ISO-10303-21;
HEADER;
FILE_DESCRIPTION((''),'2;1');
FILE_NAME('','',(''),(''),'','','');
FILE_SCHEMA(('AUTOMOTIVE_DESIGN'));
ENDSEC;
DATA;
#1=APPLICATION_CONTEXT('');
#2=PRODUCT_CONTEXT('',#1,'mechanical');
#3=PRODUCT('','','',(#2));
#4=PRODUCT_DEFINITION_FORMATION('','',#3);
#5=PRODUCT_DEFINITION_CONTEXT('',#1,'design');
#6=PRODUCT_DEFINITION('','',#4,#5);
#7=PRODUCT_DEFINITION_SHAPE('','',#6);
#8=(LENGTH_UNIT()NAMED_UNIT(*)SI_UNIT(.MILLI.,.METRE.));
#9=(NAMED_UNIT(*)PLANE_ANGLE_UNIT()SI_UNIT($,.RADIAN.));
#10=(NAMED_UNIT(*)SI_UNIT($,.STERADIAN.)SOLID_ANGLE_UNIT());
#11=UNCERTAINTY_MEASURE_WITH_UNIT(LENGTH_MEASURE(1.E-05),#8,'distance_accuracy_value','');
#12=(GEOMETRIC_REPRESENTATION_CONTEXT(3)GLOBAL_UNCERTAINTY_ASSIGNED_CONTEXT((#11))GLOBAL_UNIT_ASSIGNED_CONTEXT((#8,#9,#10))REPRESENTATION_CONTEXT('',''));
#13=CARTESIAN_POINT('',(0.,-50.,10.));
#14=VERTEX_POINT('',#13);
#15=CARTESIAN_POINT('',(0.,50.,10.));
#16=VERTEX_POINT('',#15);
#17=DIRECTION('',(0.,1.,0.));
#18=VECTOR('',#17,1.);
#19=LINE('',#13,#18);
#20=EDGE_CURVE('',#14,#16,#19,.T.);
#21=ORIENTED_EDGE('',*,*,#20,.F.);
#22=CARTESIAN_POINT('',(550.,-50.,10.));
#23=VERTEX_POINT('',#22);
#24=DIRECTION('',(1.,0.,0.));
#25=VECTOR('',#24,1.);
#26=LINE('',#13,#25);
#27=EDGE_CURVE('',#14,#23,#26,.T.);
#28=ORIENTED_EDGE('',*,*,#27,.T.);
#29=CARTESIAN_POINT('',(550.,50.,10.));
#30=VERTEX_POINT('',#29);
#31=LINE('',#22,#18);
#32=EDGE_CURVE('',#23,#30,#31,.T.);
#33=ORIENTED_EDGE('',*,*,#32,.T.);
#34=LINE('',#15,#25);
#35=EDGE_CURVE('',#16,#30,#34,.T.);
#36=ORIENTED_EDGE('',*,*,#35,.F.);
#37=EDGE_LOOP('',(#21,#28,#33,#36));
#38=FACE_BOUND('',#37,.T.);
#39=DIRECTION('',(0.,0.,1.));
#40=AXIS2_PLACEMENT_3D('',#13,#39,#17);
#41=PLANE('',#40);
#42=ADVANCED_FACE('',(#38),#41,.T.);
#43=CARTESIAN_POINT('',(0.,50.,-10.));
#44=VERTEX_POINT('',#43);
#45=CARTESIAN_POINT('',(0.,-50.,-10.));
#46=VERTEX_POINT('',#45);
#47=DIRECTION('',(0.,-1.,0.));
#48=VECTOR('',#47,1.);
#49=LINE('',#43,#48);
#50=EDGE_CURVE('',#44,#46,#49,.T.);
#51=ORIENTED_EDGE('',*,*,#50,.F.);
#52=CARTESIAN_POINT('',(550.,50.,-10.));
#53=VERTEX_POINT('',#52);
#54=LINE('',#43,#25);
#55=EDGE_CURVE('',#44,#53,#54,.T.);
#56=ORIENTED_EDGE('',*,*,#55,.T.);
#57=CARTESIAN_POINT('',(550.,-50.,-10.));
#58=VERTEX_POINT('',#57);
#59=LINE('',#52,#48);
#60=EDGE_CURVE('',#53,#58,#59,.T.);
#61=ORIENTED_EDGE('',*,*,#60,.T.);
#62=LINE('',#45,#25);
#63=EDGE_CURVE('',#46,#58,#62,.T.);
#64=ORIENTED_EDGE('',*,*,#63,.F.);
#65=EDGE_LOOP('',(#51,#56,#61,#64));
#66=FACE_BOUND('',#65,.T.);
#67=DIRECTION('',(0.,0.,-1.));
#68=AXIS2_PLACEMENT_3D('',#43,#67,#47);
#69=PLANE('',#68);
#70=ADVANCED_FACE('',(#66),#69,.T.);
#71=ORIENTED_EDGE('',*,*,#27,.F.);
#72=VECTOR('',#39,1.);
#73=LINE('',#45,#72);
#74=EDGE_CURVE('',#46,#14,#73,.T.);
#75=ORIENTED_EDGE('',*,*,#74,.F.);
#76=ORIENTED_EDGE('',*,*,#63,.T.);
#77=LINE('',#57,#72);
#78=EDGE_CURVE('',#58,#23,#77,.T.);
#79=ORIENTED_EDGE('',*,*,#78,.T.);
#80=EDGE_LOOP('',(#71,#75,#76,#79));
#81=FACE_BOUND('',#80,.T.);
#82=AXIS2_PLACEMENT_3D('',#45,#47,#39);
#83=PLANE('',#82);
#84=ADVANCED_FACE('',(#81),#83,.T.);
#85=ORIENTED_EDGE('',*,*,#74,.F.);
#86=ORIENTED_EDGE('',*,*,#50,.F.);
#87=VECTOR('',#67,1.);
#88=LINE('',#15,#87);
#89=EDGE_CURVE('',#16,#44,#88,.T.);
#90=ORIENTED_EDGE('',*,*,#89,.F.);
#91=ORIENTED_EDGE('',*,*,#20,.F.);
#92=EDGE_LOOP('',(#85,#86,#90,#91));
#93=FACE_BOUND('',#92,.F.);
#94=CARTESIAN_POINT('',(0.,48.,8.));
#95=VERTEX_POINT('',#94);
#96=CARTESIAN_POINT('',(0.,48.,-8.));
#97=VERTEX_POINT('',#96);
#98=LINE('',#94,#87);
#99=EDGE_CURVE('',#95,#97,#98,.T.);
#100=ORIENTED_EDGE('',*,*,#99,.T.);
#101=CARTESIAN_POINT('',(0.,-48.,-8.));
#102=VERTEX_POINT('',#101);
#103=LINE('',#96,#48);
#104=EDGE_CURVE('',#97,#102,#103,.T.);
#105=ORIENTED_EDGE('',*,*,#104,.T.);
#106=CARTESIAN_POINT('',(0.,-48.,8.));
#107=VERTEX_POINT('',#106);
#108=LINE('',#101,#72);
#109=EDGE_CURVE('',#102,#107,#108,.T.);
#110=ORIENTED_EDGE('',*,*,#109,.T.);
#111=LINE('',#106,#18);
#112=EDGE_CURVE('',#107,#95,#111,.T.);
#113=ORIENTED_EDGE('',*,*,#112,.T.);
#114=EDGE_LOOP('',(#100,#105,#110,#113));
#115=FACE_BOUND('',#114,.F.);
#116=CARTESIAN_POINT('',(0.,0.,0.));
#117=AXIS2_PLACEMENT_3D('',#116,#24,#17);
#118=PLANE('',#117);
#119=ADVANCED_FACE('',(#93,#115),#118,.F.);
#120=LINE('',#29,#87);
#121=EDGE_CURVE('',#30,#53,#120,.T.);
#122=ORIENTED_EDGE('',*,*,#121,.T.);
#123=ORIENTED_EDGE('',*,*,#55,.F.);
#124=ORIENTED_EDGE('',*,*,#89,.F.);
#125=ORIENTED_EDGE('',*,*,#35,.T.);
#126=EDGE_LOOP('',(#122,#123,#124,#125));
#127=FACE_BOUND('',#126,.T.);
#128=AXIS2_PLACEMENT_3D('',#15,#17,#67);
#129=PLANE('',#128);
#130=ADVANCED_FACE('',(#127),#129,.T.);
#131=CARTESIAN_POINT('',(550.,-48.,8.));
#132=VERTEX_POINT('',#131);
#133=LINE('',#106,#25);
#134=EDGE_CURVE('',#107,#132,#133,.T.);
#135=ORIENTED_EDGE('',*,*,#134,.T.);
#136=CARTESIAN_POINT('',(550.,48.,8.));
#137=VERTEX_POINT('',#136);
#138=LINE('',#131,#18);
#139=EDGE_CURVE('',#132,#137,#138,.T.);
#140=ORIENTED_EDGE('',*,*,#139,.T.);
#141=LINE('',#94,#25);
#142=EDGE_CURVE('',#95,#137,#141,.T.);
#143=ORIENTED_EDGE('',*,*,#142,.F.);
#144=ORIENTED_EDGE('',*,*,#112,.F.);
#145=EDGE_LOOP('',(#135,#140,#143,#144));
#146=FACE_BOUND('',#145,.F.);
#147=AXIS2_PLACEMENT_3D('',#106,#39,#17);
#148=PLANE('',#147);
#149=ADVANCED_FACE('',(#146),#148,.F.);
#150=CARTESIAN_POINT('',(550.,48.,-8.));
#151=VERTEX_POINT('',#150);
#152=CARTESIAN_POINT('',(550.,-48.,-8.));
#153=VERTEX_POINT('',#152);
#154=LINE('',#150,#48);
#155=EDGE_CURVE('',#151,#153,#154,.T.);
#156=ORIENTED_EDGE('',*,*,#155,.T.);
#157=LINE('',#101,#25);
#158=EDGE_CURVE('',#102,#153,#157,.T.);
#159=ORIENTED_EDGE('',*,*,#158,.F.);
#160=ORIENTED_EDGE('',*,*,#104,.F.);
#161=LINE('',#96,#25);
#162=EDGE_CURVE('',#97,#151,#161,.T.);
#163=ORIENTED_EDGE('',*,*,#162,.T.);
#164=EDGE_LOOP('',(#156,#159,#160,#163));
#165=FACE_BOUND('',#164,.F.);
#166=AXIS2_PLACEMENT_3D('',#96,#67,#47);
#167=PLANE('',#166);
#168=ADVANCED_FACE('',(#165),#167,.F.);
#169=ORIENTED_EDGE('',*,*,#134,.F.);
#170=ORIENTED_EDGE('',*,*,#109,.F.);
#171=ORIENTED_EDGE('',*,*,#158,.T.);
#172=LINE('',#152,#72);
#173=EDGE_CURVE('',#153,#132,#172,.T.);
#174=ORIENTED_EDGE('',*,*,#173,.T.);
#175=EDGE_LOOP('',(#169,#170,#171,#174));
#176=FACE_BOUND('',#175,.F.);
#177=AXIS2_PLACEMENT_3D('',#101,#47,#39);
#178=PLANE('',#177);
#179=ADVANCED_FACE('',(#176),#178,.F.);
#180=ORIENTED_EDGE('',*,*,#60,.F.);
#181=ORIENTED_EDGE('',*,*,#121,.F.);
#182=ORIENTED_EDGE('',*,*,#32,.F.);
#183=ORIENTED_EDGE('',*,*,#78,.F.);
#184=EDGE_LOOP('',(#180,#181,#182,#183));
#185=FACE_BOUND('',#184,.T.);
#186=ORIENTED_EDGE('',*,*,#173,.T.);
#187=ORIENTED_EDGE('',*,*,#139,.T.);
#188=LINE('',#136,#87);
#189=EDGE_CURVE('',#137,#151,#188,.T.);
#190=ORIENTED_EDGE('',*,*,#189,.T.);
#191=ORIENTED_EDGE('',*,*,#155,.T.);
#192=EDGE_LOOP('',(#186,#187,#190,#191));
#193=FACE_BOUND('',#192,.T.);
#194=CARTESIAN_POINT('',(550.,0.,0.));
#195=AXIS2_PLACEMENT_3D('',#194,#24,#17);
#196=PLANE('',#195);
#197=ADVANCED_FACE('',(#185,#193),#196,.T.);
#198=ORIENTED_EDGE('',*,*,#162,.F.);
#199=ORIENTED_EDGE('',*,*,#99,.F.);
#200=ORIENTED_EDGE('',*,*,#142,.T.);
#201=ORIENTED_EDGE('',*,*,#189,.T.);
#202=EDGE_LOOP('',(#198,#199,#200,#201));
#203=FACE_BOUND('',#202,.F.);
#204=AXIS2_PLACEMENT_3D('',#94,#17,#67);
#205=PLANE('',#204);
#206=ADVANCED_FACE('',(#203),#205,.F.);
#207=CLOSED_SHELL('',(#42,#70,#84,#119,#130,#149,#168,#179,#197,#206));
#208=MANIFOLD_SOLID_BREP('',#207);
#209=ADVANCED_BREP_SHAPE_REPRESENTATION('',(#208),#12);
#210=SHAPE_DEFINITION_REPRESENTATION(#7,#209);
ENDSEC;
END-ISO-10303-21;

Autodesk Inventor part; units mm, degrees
ref_plane "YZ Plane" through (0, 0, 0) normal (1, 0, 0) x (0, 1, 0)
ref_plane "XZ Plane" through (0, 0, 0) normal (0, 1, 0) x (-1, 0, 0)
ref_plane "XY Plane" through (0, 0, 0) normal (0, 0, 1) x (1, 0, 0)
sketch "Sketch1" plane through (0, 0, 0) normal (1, 0, 0) x (0, 1, 0)
  line L0 (-50, 10) -> (50, 10)
  line L1 (50, 10) -> (50, -10)
  line L2 (50, -10) -> (-50, -10)
  line L3 (-50, -10) -> (-50, 10)
  line L4 (-50, 10) -> (50, -10) construction
  line L5 (50, 10) -> (-50, -10) construction
  line L6 (-48, 8) -> (48, 8)
  line L7 (48, 8) -> (48, -8)
  line L8 (48, -8) -> (-48, -8)
  line L9 (-48, -8) -> (-48, 8)
  line L10 (-48, 8) -> (48, -8) construction
  line L11 (48, 8) -> (-48, -8) construction
  point P0 (0, 0)
  dimension "d0" = 100
  dimension "d1" = 20
  dimension "d2" = 96
  dimension "d3" = 16
extrude "Extrusion1" add sketch "Sketch1" along normal blind 550
properties part number "Back Extrusion 1" material "Aluminum 6061"
